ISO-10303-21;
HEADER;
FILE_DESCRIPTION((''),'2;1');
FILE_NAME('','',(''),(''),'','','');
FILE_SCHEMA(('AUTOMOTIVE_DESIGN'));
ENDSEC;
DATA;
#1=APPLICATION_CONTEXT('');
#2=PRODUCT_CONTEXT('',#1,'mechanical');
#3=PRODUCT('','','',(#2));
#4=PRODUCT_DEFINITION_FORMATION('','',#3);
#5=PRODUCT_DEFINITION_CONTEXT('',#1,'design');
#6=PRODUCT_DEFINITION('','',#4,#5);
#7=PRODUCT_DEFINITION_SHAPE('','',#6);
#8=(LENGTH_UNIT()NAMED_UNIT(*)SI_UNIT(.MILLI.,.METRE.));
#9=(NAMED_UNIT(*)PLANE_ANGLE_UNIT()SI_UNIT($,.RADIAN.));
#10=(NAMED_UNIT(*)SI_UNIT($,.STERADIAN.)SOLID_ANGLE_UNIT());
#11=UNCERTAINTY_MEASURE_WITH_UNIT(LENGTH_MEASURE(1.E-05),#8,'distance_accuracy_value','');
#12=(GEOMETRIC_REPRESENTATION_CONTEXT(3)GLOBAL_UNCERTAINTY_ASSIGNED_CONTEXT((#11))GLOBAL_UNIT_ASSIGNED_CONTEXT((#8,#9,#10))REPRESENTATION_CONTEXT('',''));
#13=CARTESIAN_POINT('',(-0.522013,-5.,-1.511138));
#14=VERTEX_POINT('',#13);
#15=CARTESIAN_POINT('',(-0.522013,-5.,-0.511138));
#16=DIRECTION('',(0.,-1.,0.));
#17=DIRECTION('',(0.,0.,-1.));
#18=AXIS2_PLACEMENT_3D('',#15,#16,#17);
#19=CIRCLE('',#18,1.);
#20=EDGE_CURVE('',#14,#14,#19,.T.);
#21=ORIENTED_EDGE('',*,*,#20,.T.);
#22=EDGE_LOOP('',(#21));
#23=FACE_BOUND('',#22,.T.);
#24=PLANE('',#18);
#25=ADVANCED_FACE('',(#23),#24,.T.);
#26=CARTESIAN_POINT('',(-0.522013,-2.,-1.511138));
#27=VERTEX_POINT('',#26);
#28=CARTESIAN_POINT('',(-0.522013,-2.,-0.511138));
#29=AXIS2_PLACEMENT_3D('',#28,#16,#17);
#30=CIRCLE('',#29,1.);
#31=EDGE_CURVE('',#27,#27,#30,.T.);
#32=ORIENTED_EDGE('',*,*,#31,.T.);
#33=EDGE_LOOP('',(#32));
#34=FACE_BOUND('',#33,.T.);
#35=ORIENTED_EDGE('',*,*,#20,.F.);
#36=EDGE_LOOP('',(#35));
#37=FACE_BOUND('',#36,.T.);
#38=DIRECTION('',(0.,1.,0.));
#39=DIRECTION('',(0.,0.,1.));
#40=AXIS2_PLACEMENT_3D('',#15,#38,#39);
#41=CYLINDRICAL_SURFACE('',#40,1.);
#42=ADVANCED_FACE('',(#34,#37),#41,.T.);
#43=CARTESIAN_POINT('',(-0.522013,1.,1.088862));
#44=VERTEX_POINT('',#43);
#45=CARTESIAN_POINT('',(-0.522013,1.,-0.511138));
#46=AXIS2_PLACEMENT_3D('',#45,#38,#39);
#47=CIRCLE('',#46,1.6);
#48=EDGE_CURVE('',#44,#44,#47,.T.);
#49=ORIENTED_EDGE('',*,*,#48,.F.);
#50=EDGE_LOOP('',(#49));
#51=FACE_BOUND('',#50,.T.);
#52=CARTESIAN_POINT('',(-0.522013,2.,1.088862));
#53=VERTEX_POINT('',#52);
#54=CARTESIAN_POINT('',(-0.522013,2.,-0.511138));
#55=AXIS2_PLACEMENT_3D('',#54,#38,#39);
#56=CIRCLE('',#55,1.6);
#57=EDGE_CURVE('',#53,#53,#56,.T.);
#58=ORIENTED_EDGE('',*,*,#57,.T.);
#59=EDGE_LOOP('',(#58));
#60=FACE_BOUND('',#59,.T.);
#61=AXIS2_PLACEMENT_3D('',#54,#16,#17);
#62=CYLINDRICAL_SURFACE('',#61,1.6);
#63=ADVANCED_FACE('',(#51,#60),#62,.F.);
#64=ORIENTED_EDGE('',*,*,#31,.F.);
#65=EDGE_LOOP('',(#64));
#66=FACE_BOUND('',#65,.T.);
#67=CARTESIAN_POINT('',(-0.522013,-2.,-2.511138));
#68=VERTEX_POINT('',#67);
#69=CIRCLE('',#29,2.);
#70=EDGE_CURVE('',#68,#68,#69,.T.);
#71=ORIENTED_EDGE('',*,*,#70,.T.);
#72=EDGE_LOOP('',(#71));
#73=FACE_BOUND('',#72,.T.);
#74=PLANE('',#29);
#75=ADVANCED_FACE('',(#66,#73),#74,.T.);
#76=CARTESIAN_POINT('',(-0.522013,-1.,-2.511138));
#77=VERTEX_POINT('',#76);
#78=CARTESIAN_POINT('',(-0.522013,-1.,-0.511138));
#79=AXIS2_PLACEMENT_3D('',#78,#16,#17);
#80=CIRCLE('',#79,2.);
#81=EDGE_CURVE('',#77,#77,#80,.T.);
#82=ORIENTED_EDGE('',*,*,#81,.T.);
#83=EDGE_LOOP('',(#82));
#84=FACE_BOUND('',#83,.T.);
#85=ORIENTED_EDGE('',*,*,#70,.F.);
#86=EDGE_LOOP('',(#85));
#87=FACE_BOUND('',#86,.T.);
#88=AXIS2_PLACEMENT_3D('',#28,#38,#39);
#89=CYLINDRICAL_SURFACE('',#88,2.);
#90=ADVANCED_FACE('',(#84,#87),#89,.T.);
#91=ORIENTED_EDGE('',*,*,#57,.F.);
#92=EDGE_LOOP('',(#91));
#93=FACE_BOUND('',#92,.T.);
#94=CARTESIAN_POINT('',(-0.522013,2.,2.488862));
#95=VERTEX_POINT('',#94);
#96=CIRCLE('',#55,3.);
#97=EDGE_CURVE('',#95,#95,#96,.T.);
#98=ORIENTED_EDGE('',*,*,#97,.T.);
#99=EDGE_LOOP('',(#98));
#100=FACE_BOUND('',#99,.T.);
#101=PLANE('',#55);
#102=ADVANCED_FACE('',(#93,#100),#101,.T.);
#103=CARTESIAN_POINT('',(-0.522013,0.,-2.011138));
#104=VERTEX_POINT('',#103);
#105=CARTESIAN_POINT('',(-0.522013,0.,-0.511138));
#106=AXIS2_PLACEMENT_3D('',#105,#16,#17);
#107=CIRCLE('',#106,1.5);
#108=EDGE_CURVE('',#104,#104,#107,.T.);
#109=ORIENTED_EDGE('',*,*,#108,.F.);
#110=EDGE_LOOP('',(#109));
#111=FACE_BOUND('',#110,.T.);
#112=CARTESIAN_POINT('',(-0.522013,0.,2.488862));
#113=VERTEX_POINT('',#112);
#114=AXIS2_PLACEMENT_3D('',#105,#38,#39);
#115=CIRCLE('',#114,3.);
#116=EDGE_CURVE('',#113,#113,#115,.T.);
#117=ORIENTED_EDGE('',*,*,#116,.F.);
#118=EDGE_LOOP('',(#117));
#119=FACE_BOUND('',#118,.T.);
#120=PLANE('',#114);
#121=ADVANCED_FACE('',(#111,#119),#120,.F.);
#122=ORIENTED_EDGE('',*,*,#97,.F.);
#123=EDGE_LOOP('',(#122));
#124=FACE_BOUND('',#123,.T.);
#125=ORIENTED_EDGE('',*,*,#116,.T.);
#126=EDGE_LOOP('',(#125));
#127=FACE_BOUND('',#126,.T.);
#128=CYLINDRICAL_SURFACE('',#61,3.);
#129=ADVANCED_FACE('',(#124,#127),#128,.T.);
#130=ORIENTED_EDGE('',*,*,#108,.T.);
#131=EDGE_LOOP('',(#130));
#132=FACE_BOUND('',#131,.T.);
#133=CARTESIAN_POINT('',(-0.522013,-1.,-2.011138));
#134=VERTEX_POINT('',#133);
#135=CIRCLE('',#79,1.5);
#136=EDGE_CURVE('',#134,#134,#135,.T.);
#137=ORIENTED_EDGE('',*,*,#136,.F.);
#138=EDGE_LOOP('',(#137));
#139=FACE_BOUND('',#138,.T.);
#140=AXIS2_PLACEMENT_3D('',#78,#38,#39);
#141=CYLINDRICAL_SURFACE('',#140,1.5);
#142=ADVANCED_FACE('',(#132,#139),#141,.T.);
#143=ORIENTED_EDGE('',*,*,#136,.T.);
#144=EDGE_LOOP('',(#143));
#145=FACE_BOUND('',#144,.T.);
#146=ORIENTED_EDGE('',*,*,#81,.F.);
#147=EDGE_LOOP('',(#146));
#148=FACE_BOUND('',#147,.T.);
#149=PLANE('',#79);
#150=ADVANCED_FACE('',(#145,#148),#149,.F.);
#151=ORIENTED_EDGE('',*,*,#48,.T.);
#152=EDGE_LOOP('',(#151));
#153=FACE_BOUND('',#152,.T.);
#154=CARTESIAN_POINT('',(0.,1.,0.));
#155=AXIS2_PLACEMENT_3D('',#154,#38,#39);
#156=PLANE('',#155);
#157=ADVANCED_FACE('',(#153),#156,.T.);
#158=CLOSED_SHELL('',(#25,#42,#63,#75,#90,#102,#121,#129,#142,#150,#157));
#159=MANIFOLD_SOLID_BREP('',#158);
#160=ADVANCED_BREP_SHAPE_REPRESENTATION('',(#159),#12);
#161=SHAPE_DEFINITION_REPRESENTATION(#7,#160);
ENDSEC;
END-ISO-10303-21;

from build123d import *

# Parameters (mm, degrees)
SKETCH1_R           = 3
SKETCH1_R_2         = 1.6
BOSS_EXTRUDE1_DEPTH = 2
SKETCH1_3_R         = 1.6
BOSS_EXTRUDE2_DEPTH = 1
SKETCH5_R           = 1.5
BOSS_EXTRUDE3_DEPTH = 1
SKETCH6_R           = 2
BOSS_EXTRUDE4_DEPTH = 1
SKETCH8_R           = 1
BOSS_EXTRUDE5_DEPTH = 3


with BuildPart() as part:
    # Sketch1 → Boss-Extrude1 (new body)
    with BuildSketch(Plane(origin=(0, 0, 0), x_dir=(1, 0, 0), z_dir=(0, 1, 0))):
        with Locations((-0.522013312, 0.511138034)):
            Circle(SKETCH1_R)
        with Locations((-0.522013312, 0.511138034)):
            Circle(SKETCH1_R_2, mode=Mode.SUBTRACT)
    extrude(amount=BOSS_EXTRUDE1_DEPTH)

    # Sketch1<3> → Boss-Extrude2 (add)
    with BuildSketch(Plane(origin=(0, 0, 0), x_dir=(1, 0, 0), z_dir=(0, 1, 0))):
        with Locations((-0.522013312, 0.511138034)):
            Circle(SKETCH1_3_R)
    extrude(amount=BOSS_EXTRUDE2_DEPTH)

    # Sketch5 → Boss-Extrude3 (add)
    with BuildSketch(Plane.XZ):
        with Locations((-0.522013312, -0.511138034)):
            Circle(SKETCH5_R)
    extrude(amount=BOSS_EXTRUDE3_DEPTH)

    # Sketch6 → Boss-Extrude4 (add)
    with BuildSketch(Plane.XZ.offset(1)):
        with Locations((-0.522013312, -0.511138034)):
            Circle(SKETCH6_R)
    extrude(amount=BOSS_EXTRUDE4_DEPTH)

    # Sketch8 → Boss-Extrude5 (add)
    with BuildSketch(Plane(origin=(0, -2, 0), x_dir=(-1, 0, 0), z_dir=(0, -1, 0))):
        with Locations((0.522013312, 0.511138034)):
            Circle(SKETCH8_R)
    extrude(amount=BOSS_EXTRUDE5_DEPTH)


solid = part.part
